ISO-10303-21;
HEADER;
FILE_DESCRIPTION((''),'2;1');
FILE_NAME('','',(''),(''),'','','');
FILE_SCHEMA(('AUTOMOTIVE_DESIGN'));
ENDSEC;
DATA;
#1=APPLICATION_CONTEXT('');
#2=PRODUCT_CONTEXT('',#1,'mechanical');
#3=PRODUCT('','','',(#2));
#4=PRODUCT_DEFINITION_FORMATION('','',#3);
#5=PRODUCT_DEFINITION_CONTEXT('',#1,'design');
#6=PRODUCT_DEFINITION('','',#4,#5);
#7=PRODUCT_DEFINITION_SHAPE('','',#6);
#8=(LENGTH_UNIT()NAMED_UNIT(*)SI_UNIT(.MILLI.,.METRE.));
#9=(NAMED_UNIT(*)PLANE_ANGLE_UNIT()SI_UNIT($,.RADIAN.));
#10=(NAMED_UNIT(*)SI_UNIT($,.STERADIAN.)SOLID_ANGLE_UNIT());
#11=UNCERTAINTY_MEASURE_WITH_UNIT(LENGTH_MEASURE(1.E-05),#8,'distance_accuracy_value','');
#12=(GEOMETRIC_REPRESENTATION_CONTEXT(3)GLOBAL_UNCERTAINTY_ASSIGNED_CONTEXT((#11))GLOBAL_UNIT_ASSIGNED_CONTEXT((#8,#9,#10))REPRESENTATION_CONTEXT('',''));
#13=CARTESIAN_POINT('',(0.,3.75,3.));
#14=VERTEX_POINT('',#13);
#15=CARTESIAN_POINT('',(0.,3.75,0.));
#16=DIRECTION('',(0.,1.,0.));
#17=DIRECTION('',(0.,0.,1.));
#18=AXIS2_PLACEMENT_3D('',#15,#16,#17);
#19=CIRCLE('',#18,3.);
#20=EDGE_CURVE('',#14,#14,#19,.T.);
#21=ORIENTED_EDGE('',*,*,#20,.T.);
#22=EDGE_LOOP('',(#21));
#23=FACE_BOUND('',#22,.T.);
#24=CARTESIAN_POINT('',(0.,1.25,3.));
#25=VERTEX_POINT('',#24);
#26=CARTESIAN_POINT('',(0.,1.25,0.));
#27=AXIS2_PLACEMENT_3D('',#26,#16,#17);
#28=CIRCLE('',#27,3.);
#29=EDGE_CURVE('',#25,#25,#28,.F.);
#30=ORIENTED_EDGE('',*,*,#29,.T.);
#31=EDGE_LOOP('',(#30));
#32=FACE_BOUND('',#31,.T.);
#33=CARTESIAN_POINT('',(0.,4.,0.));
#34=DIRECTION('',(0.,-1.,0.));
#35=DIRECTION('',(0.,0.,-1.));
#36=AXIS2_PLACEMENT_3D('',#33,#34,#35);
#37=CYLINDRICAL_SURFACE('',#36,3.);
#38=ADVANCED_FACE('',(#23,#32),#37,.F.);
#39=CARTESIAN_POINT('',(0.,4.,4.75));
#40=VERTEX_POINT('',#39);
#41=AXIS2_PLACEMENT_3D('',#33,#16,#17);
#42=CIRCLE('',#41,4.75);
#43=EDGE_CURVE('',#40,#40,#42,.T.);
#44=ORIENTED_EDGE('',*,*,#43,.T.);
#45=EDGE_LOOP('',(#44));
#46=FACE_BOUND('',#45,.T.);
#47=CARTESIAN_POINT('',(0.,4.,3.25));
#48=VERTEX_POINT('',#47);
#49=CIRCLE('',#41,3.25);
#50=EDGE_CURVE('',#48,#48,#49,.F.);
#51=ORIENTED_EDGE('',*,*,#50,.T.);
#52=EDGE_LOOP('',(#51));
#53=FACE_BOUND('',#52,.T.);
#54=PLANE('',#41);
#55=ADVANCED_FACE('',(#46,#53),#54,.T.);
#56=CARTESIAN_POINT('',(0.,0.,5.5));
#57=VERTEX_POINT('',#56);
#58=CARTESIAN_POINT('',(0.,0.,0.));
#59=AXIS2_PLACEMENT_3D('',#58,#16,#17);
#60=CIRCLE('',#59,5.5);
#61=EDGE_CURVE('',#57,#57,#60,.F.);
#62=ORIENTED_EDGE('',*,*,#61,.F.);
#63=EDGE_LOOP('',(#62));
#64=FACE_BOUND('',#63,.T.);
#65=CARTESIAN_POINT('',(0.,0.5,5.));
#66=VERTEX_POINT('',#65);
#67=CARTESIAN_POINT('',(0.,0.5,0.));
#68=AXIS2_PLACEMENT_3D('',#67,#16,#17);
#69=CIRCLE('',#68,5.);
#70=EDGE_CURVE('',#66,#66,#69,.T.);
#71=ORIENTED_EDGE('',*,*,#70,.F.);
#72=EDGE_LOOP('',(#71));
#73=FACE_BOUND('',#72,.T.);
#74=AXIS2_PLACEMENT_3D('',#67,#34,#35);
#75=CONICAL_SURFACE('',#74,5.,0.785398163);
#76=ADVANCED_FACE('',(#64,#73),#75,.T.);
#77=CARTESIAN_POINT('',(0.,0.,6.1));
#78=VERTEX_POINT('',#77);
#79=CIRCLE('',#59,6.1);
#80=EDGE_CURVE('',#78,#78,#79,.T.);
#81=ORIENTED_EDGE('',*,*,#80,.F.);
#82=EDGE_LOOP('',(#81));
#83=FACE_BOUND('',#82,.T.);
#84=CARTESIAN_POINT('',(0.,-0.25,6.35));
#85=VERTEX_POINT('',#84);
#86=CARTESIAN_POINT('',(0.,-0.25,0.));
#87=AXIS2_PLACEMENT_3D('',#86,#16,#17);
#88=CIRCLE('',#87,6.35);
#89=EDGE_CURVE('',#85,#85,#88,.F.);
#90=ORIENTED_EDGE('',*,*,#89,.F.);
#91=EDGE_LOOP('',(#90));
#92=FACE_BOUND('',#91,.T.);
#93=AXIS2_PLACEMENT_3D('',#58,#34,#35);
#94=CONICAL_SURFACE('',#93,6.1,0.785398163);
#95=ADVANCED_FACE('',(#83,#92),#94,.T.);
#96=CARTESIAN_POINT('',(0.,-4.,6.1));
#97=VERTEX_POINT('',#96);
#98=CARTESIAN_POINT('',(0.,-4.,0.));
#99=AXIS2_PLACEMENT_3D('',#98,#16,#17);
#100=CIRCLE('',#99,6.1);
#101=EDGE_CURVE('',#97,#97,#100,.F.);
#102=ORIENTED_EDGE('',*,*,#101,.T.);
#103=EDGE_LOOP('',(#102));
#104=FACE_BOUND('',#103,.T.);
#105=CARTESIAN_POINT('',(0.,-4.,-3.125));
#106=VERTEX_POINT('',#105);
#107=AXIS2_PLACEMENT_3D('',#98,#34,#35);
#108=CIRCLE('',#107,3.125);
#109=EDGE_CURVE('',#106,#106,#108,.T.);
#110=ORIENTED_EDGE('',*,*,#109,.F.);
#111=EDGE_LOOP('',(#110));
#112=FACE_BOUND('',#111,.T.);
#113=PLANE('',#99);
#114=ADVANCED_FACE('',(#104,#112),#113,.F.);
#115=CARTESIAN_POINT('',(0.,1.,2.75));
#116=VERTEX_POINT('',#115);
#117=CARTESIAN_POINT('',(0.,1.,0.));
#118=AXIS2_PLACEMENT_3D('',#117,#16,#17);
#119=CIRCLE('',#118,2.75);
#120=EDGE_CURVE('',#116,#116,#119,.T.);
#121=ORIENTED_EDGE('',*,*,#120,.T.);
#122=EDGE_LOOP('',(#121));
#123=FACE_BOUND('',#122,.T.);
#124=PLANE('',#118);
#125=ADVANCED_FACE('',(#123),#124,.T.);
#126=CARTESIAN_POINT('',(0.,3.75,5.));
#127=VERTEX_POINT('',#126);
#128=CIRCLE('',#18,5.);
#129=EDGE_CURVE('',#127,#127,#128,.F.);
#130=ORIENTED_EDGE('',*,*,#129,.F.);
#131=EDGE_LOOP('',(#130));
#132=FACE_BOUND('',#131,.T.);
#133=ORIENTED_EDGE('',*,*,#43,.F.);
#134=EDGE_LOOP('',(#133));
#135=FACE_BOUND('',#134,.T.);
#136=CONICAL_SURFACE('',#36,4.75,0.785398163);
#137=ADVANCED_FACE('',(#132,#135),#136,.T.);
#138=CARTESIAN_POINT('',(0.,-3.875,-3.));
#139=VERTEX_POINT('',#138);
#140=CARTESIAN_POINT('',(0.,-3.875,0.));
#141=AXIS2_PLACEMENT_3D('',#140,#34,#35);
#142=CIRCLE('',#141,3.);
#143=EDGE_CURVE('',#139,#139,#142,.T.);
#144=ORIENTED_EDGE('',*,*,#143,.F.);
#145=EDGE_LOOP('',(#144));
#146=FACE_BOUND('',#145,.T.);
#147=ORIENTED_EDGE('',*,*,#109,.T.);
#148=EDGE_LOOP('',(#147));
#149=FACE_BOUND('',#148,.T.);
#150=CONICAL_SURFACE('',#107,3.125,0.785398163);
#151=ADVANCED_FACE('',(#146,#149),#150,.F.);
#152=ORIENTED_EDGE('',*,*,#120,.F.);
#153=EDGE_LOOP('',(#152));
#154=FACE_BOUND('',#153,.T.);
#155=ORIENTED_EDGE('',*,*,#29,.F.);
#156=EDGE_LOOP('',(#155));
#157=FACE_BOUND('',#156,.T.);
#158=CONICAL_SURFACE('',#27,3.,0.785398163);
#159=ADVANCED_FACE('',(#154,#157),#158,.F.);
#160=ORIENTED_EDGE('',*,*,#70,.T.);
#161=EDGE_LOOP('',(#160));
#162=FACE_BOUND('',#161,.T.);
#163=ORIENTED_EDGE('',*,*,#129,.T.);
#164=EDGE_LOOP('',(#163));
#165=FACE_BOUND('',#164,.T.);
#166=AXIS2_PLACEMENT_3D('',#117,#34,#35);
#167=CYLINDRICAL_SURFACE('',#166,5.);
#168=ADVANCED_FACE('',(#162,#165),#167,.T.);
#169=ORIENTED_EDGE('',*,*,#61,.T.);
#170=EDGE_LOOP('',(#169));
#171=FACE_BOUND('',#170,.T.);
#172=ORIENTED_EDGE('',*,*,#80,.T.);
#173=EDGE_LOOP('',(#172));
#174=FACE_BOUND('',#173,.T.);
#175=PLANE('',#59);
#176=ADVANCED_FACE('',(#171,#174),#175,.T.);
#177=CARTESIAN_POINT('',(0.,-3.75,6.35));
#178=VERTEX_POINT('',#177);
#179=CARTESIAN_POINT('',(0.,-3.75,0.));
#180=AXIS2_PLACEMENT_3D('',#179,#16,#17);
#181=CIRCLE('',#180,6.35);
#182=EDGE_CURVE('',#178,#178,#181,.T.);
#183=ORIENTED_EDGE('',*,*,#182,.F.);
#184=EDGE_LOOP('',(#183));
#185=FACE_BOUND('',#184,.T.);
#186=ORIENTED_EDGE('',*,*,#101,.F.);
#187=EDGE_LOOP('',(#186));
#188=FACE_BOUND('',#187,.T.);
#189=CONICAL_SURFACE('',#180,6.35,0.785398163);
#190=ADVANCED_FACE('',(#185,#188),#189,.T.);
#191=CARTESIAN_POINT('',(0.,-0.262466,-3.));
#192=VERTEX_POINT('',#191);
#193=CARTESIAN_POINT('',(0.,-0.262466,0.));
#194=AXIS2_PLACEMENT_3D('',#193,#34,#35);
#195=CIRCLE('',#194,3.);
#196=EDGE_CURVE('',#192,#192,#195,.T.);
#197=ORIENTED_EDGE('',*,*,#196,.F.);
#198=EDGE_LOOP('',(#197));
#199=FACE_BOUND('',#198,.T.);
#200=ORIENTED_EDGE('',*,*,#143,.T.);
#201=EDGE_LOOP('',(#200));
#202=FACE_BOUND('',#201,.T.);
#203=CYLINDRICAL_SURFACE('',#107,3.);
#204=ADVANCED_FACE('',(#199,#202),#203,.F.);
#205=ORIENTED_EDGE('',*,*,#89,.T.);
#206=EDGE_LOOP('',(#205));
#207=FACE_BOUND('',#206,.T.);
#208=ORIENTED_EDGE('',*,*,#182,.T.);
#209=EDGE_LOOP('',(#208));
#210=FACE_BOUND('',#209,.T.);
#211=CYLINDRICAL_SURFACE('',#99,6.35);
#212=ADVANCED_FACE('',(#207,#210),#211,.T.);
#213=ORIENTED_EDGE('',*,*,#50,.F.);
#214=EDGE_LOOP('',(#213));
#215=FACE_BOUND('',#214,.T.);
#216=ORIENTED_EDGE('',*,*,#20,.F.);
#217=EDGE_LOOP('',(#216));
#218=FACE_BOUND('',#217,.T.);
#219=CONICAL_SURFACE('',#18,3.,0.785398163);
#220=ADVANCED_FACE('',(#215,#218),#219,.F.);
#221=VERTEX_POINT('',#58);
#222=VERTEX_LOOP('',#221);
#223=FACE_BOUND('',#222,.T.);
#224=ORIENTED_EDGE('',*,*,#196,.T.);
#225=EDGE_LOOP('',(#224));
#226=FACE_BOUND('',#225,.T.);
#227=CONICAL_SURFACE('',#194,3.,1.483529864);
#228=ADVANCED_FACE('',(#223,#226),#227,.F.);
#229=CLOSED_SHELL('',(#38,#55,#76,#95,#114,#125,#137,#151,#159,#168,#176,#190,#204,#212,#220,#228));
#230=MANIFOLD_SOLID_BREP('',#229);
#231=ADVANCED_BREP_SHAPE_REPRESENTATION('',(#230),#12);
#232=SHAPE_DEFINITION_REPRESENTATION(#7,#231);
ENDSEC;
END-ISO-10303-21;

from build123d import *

# Parameters (mm, degrees)
SKETCH1_R                       = 5
BOSS_EXTRUDE1_DEPTH             = 1
SKETCH1_3_R                     = 5
SKETCH1_3_R_2                   = 3
BOSS_EXTRUDE2_DEPTH             = 4
CHAMFER1_SIZE                   = 0.25
SKETCH5_R                       = 6.35
BOSS_EXTRUDE4_DEPTH             = 4
F_6_0MM_DOWEL_HOLE1_D           = 6
F_6_0MM_DOWEL_HOLE1_DEPTH       = 3.737534009
F_6_0MM_DOWEL_HOLE1_CSINK_D     = 6.25
F_6_0MM_DOWEL_HOLE1_CSINK_ANGLE = 90
F_6_0MM_DOWEL_HOLE1_TIP         = 0.262465991
CHAMFER2_SIZE                   = 0.25
CHAMFER3_SIZE                   = 0.5


with BuildPart() as part:
    # Sketch1 → Boss-Extrude1 (new body)
    with BuildSketch(Plane(origin=(0, 0, 0), x_dir=(1, 0, 0), z_dir=(0, 1, 0))):
        Circle(SKETCH1_R)
    extrude(amount=BOSS_EXTRUDE1_DEPTH)

    # Sketch1<3> → Boss-Extrude2 (add)
    with BuildSketch(Plane(origin=(0, 0, 0), x_dir=(1, 0, 0), z_dir=(0, 1, 0))):
        Circle(SKETCH1_3_R)
        Circle(SKETCH1_3_R_2, mode=Mode.SUBTRACT)
    extrude(amount=BOSS_EXTRUDE2_DEPTH)

    # Chamfer1
    chamfer1_edges = [part.edges().sort_by_distance(p)[0] for p in [
        (-3, 4, 0),
        (-5, 4, 0),
        (-3, 1, 0),
    ]]
    chamfer(chamfer1_edges, length=CHAMFER1_SIZE)

    # Sketch5 → Boss-Extrude4 (add)
    with BuildSketch(Plane(origin=(0, 0, 0), x_dir=(1, 0, 0), z_dir=(0, 1, 0))):
        Circle(SKETCH5_R)
    extrude(amount=-BOSS_EXTRUDE4_DEPTH)

    # Ø6.0mm Dowel Hole1
    with Locations(Plane(origin=(0, -4, 0), x_dir=(-1, 0, 0), z_dir=(0, -1, 0))):
        with Locations((0, 0)):
            CounterSinkHole(F_6_0MM_DOWEL_HOLE1_D / 2, F_6_0MM_DOWEL_HOLE1_CSINK_D / 2, depth=F_6_0MM_DOWEL_HOLE1_DEPTH, counter_sink_angle=F_6_0MM_DOWEL_HOLE1_CSINK_ANGLE)
            with Locations((0, 0, -(F_6_0MM_DOWEL_HOLE1_DEPTH + F_6_0MM_DOWEL_HOLE1_TIP / 2))):  # 170° drill point
                Cone(0, F_6_0MM_DOWEL_HOLE1_D / 2, F_6_0MM_DOWEL_HOLE1_TIP, mode=Mode.SUBTRACT)

    # Chamfer2
    chamfer2_edges = [part.edges().sort_by_distance(p)[0] for p in [
        (-6.35, -4, 0),
        (-6.35, 0, 0),
    ]]
    chamfer(chamfer2_edges, length=CHAMFER2_SIZE)

    # Chamfer3
    chamfer3_edges = [part.edges().sort_by_distance(p)[0] for p in [
        (-5, 0, 0),
    ]]
    chamfer(chamfer3_edges, length=CHAMFER3_SIZE)


solid = part.part
